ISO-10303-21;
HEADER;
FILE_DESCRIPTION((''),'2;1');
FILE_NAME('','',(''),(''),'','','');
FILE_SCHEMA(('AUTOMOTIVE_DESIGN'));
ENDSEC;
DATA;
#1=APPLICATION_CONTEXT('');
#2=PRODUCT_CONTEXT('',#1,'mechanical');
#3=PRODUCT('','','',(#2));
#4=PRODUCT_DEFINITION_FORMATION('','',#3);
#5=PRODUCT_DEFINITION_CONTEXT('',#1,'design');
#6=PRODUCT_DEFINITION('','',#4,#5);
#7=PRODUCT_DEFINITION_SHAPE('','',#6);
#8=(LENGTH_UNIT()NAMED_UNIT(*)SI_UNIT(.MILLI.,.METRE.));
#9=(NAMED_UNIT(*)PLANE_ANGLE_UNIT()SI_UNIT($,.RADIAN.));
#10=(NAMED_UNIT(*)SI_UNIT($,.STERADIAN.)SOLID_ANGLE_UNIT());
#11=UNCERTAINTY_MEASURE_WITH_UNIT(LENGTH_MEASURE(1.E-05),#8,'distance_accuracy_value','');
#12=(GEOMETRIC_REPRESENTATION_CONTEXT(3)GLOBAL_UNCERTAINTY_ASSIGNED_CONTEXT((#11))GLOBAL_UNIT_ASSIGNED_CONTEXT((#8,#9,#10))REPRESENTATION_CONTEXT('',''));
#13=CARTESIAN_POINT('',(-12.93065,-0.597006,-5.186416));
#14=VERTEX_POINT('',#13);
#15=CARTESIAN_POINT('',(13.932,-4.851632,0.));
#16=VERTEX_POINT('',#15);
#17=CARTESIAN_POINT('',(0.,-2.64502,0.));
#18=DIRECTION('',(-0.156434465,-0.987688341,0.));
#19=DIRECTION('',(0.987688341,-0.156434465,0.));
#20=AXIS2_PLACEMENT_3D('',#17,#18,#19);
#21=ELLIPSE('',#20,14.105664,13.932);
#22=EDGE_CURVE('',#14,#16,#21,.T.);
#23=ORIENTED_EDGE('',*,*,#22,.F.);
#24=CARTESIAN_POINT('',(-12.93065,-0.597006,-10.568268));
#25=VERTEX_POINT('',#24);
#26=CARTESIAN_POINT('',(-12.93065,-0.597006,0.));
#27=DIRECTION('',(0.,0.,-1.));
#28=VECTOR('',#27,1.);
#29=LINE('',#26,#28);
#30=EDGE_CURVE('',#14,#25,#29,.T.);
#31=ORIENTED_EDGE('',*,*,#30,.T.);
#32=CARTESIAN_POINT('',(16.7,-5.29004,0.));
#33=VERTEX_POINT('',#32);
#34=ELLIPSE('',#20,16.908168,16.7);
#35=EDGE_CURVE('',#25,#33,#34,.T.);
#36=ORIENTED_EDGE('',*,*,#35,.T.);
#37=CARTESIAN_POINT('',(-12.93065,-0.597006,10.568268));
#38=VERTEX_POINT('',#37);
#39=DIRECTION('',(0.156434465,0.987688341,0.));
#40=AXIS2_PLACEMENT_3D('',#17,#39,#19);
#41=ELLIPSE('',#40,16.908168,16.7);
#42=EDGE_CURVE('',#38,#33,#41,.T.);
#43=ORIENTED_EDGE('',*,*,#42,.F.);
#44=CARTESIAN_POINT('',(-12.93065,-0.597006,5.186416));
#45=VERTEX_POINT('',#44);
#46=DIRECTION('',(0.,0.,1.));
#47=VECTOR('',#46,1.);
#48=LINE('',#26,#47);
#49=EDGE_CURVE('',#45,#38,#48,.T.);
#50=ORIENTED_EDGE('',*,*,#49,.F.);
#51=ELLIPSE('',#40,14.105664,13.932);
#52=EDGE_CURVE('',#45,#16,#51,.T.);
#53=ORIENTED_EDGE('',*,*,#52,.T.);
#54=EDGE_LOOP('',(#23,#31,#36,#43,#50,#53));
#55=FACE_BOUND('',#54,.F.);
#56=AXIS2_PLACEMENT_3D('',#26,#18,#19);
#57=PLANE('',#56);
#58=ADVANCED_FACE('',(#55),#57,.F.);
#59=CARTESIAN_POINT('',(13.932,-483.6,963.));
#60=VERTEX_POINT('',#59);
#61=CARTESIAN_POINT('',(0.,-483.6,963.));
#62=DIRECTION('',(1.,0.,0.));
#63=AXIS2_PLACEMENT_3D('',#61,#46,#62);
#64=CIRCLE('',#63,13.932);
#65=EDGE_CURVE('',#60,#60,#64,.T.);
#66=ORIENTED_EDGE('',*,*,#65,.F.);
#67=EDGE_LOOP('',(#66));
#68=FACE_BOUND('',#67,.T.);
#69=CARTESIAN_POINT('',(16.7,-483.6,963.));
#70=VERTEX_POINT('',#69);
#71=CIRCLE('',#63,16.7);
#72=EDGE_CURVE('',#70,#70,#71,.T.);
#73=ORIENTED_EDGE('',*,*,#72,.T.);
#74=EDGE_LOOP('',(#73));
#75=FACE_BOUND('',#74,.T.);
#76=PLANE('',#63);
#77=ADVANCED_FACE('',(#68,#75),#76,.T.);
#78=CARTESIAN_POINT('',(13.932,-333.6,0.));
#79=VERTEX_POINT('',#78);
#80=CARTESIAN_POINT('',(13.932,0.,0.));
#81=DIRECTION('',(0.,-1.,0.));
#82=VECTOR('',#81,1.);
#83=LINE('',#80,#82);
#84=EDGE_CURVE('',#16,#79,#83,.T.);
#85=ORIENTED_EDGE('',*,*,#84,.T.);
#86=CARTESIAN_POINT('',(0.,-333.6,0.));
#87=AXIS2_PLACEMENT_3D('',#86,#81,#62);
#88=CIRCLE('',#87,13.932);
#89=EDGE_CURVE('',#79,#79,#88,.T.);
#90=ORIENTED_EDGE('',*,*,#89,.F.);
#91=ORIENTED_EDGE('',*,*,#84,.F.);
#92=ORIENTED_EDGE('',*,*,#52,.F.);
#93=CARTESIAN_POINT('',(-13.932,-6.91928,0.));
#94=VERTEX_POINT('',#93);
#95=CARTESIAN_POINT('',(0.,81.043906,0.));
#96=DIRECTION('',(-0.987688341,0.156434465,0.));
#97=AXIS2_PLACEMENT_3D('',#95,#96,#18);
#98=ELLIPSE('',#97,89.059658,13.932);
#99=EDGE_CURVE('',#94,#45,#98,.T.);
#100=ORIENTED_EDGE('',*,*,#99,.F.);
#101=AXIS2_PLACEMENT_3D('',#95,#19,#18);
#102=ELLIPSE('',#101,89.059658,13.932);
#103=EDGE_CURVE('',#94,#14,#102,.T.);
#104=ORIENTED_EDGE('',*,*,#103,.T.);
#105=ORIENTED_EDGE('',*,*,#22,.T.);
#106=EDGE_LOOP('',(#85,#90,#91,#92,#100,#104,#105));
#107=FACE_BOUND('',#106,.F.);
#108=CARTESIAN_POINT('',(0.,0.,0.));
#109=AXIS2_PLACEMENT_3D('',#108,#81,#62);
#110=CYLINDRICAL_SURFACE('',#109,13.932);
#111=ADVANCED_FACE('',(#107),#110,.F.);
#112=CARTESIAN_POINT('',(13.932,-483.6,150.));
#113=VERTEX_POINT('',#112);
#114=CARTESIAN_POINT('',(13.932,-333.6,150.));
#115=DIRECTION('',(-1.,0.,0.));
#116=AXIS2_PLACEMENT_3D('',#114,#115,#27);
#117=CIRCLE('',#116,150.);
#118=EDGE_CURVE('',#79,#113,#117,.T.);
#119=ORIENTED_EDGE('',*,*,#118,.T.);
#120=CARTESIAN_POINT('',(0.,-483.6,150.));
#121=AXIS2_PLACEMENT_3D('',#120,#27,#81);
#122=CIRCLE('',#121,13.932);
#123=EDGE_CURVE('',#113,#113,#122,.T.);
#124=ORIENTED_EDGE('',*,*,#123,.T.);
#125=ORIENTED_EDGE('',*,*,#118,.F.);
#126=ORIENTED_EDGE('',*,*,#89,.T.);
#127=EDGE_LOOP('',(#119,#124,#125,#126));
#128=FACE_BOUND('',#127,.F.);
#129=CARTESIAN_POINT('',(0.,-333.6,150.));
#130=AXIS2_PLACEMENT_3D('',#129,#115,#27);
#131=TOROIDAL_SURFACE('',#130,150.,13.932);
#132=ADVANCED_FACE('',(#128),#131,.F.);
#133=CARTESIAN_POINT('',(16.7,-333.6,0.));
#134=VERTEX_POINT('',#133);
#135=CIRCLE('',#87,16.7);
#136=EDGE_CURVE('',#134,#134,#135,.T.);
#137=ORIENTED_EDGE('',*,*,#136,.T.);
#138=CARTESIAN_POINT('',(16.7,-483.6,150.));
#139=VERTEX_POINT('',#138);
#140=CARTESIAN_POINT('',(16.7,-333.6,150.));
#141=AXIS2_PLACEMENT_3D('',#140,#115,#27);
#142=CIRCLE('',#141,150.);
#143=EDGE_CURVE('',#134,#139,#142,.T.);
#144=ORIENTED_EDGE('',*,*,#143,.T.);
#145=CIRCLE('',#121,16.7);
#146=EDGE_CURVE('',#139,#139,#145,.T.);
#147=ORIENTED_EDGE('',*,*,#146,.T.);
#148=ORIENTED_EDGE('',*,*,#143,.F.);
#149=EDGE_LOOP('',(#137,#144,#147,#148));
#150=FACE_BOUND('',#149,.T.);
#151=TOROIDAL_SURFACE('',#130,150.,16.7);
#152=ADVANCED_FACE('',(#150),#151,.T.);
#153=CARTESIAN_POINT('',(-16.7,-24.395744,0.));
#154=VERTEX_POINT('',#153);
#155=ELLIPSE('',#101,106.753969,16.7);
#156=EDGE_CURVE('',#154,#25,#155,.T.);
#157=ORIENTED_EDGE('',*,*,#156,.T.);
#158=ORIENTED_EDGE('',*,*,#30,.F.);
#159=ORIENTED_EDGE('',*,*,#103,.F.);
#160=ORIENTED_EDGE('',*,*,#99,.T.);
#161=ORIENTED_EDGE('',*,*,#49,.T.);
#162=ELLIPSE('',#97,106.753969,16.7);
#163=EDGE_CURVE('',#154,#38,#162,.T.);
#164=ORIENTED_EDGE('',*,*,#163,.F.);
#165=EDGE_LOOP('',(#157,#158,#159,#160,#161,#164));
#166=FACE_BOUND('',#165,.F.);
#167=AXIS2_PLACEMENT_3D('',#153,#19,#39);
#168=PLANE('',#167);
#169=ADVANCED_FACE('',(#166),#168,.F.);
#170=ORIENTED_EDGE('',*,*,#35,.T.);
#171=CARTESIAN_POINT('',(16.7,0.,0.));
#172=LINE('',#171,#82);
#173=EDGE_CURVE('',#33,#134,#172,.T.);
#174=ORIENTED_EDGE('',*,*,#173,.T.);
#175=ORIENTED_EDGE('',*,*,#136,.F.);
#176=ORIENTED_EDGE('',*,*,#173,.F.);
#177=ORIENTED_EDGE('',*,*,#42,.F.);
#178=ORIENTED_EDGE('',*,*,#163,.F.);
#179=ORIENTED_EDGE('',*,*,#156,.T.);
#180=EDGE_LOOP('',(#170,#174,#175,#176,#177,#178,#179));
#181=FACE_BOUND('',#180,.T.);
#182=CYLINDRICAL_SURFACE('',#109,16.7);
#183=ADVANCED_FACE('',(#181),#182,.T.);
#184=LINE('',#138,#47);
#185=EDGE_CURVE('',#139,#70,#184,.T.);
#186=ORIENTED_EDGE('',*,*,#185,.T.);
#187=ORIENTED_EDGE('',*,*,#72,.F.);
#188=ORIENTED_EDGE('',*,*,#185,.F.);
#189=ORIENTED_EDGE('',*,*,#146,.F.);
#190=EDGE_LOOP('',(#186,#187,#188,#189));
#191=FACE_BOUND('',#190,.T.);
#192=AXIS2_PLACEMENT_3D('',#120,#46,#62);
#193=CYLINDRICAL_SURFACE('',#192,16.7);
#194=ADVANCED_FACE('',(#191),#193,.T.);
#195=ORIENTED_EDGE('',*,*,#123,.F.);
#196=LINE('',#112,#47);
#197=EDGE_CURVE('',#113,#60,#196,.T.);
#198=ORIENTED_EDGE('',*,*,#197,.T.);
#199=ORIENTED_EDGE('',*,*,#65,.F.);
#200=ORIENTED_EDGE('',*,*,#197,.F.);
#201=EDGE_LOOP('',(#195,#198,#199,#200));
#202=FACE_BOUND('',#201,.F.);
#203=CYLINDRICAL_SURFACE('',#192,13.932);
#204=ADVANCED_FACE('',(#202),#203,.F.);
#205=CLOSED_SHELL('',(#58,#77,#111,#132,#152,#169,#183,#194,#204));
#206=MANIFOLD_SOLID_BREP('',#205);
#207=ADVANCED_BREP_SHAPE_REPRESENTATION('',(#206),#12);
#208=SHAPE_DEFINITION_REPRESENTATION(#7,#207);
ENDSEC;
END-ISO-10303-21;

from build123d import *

# Parameters (mm, degrees)
F1_R          = 16.7
F1_R_2        = 13.932
F4_DEPTH      = 16.7010001
F4_DEPTH_BACK = 963.001


with BuildPart() as f2:
    # F2: sweep along a path in F0
    with BuildLine(Plane.YZ) as f2_path:
        Line((0, 0), (-333.6, 0))
        ThreePointArc((-333.6, 0), (-439.666017178, 43.933982822), (-483.6, 150))
        Line((-483.6, 150), (-483.6, 963))
    # F1 (on Front) → F2 (sweep)
    with BuildSketch(Plane.XZ):
        Circle(F1_R)
        Circle(F1_R_2, mode=Mode.SUBTRACT)
    sweep(path=f2_path.line)

    # F3 (on Top) → F4 (cut, two sides)
    with BuildSketch(Plane.XY) as f4_sk:
        Polygon((16.7, 0), (0, 0), (16.7, -2.6450201534), align=None)
        Polygon((-16.7, 0), (0, 0), (-16.7, 2.6450201534), align=None)
        Polygon((16.7, -2.6450201534), (0, 0), (-16.7, 0), (-12.9306502179, -0.5970063556), (16.7, -5.2900403068), align=None)
        Polygon((-12.9306502179, -0.5970063556), (-16.7, 0), (-16.7, -24.395744252), align=None)
    extrude(amount=-F4_DEPTH, mode=Mode.SUBTRACT)
    extrude(f4_sk.sketch, amount=F4_DEPTH_BACK, mode=Mode.SUBTRACT)


solid = f2.part
